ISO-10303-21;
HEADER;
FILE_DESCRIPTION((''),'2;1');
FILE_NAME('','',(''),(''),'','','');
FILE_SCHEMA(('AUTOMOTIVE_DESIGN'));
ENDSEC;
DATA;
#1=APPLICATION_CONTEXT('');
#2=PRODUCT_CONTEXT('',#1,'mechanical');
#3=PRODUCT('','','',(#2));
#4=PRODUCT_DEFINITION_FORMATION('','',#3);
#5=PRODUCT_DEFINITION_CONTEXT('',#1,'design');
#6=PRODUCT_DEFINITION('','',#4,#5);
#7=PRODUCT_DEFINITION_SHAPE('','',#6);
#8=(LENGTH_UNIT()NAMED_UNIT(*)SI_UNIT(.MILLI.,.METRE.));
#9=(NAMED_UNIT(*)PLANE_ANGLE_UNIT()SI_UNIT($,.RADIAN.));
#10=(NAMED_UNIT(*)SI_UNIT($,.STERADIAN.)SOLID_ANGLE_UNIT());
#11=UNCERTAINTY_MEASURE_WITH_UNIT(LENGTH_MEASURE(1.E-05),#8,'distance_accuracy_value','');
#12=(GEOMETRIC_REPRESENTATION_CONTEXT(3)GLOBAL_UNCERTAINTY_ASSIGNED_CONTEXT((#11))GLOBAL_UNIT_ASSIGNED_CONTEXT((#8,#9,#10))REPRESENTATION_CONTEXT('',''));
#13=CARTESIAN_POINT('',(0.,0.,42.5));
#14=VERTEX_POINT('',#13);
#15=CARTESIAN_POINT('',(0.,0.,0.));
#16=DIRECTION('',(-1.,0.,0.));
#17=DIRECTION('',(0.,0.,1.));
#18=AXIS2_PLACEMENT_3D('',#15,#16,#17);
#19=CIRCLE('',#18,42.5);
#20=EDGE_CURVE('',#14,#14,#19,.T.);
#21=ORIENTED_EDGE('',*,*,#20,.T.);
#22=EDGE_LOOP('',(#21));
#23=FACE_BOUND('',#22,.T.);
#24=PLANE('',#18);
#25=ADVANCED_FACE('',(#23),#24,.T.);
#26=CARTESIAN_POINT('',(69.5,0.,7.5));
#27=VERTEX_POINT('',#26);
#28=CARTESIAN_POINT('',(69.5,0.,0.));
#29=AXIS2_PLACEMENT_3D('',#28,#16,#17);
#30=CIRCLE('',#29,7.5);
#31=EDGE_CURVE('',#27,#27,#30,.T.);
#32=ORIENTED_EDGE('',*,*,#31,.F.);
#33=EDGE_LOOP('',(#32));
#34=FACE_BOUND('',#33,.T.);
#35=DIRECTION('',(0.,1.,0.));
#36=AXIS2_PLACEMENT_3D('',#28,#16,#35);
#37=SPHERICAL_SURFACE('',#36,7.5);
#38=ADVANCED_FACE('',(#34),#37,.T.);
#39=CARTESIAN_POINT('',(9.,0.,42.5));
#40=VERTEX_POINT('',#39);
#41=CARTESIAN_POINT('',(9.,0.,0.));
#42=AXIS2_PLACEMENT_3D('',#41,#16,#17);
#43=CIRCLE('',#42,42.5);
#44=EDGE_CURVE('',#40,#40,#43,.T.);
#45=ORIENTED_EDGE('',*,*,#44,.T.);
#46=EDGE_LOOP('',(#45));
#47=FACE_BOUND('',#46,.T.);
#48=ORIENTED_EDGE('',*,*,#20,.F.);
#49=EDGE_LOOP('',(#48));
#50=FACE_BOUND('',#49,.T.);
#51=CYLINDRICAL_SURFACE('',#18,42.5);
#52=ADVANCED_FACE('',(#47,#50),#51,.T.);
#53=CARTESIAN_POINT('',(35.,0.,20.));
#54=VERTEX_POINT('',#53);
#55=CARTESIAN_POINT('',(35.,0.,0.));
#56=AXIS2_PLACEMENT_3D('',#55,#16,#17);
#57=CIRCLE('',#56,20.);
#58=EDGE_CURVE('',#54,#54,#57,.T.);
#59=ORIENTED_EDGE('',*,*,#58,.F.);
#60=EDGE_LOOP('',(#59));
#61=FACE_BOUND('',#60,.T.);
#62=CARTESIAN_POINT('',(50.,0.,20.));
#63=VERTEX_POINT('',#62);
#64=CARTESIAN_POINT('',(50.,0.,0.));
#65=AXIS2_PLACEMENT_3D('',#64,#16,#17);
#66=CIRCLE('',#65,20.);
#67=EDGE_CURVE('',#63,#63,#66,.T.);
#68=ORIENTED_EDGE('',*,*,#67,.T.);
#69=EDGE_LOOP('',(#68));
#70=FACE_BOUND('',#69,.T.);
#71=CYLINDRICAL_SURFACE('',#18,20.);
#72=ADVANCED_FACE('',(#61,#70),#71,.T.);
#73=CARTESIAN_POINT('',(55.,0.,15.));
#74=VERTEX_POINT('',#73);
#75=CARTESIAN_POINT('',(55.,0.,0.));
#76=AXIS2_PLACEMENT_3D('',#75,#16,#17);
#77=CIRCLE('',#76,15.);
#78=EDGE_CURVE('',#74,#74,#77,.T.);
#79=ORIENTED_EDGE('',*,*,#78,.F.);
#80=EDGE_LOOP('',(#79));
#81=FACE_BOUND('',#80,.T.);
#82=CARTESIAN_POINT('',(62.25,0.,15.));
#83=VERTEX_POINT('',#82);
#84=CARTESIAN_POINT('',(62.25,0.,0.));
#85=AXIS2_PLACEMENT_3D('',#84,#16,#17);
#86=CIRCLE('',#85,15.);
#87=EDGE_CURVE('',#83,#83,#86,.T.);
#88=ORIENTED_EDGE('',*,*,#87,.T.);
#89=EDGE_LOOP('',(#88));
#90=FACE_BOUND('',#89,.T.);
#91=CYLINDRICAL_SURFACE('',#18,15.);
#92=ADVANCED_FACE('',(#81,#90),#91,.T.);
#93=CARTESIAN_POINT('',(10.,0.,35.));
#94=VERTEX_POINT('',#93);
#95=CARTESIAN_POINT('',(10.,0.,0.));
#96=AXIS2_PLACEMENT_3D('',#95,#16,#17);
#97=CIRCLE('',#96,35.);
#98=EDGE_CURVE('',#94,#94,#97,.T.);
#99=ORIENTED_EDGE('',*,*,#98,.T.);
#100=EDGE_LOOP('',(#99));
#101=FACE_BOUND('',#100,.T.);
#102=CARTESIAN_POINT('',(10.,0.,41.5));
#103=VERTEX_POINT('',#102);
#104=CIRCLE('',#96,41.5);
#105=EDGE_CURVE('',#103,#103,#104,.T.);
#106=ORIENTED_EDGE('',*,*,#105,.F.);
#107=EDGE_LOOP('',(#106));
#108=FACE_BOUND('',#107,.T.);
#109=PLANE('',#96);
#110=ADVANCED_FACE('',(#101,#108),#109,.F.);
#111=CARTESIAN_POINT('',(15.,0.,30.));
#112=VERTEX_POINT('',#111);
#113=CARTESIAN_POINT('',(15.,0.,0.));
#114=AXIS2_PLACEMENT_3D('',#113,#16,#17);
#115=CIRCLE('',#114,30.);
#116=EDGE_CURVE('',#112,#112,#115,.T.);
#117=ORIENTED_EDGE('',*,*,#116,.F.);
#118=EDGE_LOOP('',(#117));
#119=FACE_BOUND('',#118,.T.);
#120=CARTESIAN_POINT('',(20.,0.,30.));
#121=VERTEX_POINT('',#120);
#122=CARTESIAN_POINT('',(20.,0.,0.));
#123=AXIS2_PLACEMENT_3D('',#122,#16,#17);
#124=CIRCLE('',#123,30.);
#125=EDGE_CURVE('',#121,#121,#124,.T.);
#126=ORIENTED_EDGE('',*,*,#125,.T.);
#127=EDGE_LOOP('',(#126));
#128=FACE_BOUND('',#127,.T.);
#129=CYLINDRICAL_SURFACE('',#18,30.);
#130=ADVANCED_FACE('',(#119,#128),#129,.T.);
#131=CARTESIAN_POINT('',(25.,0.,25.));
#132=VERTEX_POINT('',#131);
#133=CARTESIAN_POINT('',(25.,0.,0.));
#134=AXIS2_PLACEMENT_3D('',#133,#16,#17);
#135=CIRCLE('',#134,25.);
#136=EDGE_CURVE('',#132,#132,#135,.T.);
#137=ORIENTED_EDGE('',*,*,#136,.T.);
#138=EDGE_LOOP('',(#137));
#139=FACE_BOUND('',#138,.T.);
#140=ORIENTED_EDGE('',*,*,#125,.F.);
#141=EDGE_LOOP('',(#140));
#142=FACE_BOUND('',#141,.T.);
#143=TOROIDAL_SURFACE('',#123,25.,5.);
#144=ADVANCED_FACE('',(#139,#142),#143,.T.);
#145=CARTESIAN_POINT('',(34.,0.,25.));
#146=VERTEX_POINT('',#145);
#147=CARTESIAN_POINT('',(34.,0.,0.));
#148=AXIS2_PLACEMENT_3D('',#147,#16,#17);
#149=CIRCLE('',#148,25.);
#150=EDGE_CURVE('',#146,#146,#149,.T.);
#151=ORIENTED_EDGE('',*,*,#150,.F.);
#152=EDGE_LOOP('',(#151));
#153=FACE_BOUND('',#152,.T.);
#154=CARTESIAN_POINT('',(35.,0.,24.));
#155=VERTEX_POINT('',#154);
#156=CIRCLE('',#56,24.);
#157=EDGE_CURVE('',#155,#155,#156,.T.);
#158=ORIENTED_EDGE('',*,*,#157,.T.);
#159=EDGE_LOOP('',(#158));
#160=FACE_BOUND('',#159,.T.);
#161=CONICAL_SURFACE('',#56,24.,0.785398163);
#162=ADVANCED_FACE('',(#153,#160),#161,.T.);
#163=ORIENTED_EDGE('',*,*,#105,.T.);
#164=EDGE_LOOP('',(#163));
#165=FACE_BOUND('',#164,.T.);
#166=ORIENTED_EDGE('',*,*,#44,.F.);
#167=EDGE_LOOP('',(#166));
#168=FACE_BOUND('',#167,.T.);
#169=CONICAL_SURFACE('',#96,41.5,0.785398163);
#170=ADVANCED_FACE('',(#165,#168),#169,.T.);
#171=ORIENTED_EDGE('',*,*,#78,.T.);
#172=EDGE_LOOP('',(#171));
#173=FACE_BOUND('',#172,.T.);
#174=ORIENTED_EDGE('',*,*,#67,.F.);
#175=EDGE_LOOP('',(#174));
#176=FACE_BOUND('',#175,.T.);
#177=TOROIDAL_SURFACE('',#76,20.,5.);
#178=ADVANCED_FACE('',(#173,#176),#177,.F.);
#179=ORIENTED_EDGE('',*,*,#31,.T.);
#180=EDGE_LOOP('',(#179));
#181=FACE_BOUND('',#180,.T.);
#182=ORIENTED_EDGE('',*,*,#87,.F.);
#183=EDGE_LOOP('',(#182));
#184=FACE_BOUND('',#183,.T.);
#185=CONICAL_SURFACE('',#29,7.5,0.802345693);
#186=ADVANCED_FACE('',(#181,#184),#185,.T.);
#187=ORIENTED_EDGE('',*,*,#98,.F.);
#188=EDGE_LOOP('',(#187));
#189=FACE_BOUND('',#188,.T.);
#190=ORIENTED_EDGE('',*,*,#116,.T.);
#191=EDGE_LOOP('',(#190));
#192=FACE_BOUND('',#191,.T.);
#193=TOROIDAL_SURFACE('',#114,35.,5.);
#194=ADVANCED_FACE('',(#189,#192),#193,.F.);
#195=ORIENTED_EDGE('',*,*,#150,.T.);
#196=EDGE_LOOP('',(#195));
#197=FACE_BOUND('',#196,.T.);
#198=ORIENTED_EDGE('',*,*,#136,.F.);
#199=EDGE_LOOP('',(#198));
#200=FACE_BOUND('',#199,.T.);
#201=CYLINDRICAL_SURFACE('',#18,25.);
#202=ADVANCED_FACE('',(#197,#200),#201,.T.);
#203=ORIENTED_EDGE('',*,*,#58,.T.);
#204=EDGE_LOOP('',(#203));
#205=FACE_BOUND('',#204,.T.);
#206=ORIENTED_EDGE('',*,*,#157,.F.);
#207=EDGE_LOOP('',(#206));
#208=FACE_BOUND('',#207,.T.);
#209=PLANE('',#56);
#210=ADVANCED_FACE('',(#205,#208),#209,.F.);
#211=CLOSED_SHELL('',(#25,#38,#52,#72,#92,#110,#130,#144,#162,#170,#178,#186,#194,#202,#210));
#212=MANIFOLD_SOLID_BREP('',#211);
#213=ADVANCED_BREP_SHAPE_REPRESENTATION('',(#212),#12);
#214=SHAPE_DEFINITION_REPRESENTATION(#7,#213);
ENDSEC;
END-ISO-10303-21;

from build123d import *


with BuildPart() as part:
    # Sketch1 → Revolve1 (revolve)
    with BuildSketch(Plane.XY, mode=Mode.PRIVATE) as revolve1_sk:
        with BuildLine():
            ThreePointArc((10, 35), (11.464466094, 31.464466094), (15, 30))
            Line((15, 30), (20, 30))
            ThreePointArc((20, 30), (23.535533906, 28.535533906), (25, 25))
            Line((25, 25), (34, 25))
            Line((34, 25), (35, 24))
            Line((35, 24), (35, 20))
            Line((35, 20), (50, 20))
            ThreePointArc((50, 20), (51.464466094, 16.464466094), (55, 15))
            Line((55, 15), (62.25, 15))
            Line((62.25, 15), (69.5, 7.5))
            ThreePointArc((69.5, 7.5), (74.803300859, 5.303300859), (77, 0))
            Line((77, 0), (0, 0))
            Line((0, 0), (0, 42.5))
            Line((0, 42.5), (9, 42.5))
            Line((9, 42.5), (10, 41.5))
            Line((10, 41.5), (10, 35))
        make_face()
    revolve(revolve1_sk.sketch.rotate(Axis((0, 0, 0), (1, 0, 0)), 90), axis=Axis((0, 0, 0), (1, 0, 0)))


solid = part.part
